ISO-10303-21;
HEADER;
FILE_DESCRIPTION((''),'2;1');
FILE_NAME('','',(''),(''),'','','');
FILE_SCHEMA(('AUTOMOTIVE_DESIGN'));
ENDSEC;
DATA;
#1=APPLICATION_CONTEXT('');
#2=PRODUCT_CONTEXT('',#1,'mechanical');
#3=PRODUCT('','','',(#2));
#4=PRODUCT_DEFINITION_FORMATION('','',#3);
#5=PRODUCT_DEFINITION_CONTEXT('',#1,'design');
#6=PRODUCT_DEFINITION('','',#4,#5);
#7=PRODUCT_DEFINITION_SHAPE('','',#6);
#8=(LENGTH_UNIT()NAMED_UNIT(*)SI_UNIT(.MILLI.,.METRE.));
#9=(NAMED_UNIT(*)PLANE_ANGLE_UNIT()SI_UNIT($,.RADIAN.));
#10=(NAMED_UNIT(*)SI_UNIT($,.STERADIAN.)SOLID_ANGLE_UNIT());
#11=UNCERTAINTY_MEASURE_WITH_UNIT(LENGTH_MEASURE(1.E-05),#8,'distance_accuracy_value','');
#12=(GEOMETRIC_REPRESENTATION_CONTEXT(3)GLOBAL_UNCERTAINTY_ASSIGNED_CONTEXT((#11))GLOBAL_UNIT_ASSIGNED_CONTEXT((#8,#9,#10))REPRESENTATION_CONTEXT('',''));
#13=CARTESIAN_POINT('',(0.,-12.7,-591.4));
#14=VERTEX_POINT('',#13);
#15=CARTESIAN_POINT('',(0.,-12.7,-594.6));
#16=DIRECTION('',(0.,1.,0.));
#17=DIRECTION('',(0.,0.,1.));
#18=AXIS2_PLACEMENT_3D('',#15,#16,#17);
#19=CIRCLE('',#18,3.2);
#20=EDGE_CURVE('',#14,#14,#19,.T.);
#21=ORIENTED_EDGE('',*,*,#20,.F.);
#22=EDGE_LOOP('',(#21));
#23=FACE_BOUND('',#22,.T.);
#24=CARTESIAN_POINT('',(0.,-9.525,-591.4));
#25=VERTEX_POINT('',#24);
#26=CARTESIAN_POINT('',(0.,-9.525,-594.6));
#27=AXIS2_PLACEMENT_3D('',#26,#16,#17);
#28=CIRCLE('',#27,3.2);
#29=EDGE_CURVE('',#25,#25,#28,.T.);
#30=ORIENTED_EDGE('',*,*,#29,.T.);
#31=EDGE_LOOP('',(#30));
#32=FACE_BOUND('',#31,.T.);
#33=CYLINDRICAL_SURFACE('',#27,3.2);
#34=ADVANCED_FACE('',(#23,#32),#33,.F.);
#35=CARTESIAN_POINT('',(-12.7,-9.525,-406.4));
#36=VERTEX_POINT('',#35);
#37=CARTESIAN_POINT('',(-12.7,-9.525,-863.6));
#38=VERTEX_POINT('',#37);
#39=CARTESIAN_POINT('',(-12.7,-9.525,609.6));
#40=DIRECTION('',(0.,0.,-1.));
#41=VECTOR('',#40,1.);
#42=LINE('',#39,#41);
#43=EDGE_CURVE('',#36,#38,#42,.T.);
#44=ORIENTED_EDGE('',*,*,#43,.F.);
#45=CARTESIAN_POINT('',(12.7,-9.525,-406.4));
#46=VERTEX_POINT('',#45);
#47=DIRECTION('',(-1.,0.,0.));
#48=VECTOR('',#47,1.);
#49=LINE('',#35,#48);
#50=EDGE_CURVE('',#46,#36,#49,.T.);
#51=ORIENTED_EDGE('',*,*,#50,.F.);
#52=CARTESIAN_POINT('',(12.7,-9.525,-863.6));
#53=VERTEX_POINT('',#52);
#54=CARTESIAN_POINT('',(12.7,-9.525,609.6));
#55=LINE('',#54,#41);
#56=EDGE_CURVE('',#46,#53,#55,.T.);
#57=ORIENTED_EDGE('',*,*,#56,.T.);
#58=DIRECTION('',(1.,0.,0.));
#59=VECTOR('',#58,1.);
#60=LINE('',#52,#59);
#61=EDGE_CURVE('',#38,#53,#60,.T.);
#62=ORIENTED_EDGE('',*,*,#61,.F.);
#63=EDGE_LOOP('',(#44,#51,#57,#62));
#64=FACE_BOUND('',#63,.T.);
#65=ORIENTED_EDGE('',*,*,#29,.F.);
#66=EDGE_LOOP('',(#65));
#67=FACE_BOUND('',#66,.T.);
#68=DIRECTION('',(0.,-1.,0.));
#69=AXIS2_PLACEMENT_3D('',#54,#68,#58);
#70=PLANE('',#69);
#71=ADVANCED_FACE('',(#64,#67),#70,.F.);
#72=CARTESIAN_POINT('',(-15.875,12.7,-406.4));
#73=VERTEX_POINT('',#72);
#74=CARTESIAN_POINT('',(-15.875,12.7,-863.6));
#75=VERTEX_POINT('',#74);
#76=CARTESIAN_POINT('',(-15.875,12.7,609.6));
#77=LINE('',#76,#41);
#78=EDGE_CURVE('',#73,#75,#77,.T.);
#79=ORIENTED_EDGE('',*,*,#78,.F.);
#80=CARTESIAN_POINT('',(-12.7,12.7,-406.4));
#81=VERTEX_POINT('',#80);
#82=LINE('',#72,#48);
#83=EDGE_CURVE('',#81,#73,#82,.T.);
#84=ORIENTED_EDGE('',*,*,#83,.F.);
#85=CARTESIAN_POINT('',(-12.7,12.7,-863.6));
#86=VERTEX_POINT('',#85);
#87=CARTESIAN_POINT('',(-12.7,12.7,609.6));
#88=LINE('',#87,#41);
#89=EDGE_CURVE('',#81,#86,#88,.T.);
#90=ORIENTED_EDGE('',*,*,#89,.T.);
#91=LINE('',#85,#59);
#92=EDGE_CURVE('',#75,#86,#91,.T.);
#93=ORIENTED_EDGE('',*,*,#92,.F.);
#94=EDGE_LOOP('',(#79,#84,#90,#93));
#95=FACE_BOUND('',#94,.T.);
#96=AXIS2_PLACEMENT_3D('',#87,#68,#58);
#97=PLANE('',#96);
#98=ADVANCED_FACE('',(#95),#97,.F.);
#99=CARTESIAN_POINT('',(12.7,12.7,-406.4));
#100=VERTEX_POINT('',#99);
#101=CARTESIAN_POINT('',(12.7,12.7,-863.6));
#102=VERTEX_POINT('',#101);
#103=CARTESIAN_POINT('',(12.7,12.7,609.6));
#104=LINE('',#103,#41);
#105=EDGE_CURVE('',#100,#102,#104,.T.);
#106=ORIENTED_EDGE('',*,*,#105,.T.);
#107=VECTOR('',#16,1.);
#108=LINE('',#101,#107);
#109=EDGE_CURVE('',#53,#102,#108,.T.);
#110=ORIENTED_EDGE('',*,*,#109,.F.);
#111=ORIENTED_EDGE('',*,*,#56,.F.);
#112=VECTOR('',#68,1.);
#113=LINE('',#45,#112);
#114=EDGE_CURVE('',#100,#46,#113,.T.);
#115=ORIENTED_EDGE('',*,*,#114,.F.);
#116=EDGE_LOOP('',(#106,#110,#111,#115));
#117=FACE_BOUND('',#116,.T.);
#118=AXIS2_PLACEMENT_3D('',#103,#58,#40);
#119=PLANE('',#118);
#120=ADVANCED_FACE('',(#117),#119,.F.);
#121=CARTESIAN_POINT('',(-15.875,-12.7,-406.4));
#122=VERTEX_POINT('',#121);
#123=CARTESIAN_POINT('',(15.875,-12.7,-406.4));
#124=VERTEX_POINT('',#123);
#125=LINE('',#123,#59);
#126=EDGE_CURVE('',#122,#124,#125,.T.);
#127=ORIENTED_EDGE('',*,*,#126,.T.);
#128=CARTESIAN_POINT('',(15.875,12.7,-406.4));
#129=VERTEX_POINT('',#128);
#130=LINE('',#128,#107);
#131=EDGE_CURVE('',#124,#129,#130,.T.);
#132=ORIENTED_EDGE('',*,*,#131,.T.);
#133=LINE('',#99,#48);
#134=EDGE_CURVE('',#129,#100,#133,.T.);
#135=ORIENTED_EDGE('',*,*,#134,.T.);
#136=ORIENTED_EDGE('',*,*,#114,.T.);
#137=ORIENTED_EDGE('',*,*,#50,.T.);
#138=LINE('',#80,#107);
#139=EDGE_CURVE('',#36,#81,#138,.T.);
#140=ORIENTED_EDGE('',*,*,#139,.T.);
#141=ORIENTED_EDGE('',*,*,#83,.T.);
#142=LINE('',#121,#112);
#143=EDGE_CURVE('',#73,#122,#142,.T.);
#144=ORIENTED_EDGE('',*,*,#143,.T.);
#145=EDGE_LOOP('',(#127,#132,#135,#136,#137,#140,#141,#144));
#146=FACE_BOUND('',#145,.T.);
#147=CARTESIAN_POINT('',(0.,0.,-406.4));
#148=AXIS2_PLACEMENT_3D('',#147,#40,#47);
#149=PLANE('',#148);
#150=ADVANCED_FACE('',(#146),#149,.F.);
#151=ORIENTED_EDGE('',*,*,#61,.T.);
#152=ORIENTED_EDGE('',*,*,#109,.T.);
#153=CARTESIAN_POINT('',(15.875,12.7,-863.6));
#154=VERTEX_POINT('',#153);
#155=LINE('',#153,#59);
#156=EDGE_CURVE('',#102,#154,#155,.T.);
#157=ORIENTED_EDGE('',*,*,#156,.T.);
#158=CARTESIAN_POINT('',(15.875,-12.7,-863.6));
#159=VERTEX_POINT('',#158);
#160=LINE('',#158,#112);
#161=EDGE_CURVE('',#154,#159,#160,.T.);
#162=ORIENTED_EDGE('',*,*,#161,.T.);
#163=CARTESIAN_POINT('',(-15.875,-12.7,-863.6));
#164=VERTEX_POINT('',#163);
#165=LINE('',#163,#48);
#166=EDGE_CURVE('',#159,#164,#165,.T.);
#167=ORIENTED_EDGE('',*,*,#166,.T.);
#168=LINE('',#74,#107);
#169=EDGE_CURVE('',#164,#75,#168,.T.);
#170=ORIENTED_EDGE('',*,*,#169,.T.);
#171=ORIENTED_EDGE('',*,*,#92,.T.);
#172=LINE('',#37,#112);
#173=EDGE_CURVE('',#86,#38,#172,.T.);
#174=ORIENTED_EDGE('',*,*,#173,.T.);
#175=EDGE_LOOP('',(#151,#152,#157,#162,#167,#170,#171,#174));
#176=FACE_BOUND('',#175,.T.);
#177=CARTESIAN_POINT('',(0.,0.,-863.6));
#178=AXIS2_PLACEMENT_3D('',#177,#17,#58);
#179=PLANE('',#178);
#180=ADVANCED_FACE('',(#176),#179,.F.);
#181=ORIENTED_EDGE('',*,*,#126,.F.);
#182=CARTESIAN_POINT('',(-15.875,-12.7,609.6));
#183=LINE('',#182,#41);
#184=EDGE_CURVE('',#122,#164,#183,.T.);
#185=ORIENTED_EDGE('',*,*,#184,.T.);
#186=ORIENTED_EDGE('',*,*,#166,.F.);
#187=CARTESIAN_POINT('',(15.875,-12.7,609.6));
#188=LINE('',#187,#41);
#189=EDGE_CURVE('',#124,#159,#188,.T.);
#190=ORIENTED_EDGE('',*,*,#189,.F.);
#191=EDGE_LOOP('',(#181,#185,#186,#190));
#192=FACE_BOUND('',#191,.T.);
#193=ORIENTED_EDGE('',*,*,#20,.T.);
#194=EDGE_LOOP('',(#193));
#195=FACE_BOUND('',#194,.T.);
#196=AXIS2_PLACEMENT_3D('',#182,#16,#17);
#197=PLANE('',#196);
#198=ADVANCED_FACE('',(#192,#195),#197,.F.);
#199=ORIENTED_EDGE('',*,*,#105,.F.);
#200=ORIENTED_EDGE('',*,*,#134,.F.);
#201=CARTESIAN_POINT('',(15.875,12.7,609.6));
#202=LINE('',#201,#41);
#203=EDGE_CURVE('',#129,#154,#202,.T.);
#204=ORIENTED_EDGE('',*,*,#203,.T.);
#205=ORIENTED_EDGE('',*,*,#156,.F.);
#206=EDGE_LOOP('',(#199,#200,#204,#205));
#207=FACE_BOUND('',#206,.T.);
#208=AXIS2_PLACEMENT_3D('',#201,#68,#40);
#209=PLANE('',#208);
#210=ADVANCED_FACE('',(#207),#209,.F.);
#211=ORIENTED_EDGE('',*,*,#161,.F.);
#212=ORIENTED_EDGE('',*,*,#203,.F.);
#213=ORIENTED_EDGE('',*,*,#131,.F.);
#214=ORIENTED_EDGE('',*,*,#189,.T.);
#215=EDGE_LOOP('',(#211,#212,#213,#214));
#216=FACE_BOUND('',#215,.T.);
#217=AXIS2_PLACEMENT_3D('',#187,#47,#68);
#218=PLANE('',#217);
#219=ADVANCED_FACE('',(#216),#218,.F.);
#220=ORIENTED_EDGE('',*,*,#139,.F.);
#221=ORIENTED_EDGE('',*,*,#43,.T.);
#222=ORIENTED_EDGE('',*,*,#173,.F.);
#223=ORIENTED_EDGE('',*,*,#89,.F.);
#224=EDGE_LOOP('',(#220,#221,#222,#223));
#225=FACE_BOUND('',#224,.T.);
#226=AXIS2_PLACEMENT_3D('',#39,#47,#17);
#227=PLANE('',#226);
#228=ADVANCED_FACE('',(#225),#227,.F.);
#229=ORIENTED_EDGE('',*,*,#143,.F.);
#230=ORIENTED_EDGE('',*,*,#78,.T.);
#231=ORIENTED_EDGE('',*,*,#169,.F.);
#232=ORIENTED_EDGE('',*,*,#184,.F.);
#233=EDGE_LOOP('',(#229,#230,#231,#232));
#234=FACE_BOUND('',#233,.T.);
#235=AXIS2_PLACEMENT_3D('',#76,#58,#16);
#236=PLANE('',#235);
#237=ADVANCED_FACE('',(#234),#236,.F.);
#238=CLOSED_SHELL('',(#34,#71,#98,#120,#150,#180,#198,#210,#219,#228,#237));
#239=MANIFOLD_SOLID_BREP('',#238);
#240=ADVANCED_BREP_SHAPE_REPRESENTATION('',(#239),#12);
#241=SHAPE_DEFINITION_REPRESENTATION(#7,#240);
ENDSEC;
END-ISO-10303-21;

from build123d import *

# Parameters (mm, degrees)
BOSS_EXTRUDE2_DEPTH  = 609.6
CUT_EXTRUDE1_DEPTH   = 1016
M6_CLEARANCE_HOLE1_D = 6.4
BOSS_EXTRUDE3_DEPTH  = 254


with BuildPart() as part:
    # Sketch3 → Boss-Extrude2 (new, symmetric)
    with BuildSketch(Plane.XY):
        Polygon((-15.875, 12.7), (-15.875, -12.7), (15.875, -12.7), (15.875, 12.7), (12.7, 12.7), (12.7, -9.525), (-12.7, -9.525), (-12.7, 12.7), align=None)
    extrude(amount=BOSS_EXTRUDE2_DEPTH, both=True)

    # Sketch5 → Cut-Extrude1 (cut)
    with BuildSketch(Plane.XY.offset(609.6)):
        Polygon((-15.875, 12.7), (-12.7, 12.7), (-12.7, -9.525), (12.7, -9.525), (12.7, 12.7), (15.875, 12.7), (15.875, -12.7), (-15.875, -12.7), align=None)
    extrude(amount=-CUT_EXTRUDE1_DEPTH, mode=Mode.SUBTRACT)

    # M6 Clearance Hole1 (through all)
    with Locations(Plane(origin=(0, -9.525, 0), x_dir=(1, 0, 0), z_dir=(0, 1, 0))):
        with Locations((0, 594.6)):
            Hole(M6_CLEARANCE_HOLE1_D / 2)

    # Sketch8 → Boss-Extrude3 (add)
    with BuildSketch(Plane(origin=(0, 0, -609.6), x_dir=(-1, 0, 0), z_dir=(0, 0, -1))):
        Polygon((-15.875, 12.7), (-12.7, 12.7), (-12.7, -9.525), (12.7, -9.525), (12.7, 12.7), (15.875, 12.7), (15.875, -12.7), (-15.875, -12.7), align=None)
    extrude(amount=BOSS_EXTRUDE3_DEPTH)


solid = part.part
